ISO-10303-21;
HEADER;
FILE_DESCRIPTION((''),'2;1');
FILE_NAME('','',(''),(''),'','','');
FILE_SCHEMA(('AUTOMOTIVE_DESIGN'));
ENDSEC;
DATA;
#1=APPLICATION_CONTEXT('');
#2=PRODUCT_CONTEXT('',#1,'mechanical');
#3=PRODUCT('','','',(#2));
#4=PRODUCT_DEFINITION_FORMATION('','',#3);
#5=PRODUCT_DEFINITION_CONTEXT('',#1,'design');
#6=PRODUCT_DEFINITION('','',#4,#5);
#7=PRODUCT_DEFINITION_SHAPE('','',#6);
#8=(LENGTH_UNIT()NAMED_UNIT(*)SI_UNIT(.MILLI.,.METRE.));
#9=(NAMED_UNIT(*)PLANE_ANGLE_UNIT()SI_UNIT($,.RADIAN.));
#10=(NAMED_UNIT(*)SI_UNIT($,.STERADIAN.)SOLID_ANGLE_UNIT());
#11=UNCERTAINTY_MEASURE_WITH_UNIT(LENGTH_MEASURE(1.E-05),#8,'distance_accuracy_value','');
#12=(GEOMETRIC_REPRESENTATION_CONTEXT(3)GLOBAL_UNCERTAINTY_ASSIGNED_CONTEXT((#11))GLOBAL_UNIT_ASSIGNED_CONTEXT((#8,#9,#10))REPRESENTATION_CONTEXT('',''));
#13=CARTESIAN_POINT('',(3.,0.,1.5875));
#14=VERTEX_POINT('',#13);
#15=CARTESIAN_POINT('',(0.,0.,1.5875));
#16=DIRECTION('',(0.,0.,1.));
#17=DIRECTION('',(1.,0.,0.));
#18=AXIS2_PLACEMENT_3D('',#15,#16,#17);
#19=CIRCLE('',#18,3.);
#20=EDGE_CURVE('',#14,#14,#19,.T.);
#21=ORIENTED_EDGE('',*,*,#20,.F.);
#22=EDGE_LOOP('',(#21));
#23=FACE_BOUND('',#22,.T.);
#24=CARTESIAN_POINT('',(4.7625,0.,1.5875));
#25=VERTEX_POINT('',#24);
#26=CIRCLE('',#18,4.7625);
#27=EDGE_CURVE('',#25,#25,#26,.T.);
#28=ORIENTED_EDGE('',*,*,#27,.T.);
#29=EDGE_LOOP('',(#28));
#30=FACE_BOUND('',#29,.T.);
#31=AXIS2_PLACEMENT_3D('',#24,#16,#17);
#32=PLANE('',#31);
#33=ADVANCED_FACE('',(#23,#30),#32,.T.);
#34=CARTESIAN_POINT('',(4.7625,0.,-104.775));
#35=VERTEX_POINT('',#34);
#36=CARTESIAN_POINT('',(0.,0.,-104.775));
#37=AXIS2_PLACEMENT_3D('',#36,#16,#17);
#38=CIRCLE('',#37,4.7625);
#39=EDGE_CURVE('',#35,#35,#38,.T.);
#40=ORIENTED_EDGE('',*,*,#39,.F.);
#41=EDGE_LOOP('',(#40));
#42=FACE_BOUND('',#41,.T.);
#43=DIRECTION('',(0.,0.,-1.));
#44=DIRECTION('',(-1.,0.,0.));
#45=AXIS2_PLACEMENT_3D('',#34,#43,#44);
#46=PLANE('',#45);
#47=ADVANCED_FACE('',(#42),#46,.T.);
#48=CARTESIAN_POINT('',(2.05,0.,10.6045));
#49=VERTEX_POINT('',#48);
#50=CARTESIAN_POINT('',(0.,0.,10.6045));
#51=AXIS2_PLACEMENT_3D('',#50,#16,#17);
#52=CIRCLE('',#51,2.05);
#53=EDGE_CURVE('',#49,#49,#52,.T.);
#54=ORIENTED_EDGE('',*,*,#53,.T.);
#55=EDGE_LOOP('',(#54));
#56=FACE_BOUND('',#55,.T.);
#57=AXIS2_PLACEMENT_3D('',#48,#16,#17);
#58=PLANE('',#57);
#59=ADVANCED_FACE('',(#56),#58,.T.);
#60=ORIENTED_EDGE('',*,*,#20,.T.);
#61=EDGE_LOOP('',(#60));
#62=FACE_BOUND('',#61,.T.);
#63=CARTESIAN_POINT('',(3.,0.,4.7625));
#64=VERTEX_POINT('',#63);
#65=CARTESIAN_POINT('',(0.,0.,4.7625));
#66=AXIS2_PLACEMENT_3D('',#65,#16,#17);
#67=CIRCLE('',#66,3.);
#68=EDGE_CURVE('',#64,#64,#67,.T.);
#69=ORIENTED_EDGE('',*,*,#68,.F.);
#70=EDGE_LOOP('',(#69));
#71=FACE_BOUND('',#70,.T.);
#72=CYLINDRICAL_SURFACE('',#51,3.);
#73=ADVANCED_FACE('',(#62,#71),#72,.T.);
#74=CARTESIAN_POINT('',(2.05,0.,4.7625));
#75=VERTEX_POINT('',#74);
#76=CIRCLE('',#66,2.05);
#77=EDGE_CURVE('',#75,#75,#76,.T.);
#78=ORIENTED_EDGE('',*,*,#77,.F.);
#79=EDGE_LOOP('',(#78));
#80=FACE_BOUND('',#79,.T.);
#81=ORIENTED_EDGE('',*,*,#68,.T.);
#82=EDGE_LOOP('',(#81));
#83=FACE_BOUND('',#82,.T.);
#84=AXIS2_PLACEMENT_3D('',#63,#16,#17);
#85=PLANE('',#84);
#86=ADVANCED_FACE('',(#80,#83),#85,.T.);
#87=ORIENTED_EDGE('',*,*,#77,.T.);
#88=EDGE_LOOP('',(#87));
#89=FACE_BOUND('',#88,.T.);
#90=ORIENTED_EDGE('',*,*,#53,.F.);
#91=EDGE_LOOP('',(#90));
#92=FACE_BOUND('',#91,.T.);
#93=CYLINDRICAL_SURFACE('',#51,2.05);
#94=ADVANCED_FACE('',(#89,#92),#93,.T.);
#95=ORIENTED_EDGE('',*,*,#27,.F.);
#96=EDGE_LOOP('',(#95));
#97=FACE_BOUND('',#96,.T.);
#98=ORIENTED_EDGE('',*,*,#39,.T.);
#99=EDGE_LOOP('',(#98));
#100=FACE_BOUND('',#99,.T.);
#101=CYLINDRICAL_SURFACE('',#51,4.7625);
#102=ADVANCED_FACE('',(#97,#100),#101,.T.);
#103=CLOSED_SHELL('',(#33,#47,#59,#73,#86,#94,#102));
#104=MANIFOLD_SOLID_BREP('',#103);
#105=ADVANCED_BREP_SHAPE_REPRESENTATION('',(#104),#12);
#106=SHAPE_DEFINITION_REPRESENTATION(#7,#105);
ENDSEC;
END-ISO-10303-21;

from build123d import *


with BuildPart() as part:
    # Sketch1 → Revolve1 (revolve)
    with BuildSketch(Plane(origin=(0, 0, 0), x_dir=(1, 0, 0), z_dir=(0, 1, 0))):
        Polygon((4.7625, 104.775), (0, 104.775), (0, -10.6045), (2.05, -10.6045), (2.05, -4.7625), (3, -4.7625), (3, -1.5875), (4.7625, -1.5875), align=None)
    revolve(axis=Axis((0, 0, 10.6045), (0, 0, -1)))


solid = part.part
